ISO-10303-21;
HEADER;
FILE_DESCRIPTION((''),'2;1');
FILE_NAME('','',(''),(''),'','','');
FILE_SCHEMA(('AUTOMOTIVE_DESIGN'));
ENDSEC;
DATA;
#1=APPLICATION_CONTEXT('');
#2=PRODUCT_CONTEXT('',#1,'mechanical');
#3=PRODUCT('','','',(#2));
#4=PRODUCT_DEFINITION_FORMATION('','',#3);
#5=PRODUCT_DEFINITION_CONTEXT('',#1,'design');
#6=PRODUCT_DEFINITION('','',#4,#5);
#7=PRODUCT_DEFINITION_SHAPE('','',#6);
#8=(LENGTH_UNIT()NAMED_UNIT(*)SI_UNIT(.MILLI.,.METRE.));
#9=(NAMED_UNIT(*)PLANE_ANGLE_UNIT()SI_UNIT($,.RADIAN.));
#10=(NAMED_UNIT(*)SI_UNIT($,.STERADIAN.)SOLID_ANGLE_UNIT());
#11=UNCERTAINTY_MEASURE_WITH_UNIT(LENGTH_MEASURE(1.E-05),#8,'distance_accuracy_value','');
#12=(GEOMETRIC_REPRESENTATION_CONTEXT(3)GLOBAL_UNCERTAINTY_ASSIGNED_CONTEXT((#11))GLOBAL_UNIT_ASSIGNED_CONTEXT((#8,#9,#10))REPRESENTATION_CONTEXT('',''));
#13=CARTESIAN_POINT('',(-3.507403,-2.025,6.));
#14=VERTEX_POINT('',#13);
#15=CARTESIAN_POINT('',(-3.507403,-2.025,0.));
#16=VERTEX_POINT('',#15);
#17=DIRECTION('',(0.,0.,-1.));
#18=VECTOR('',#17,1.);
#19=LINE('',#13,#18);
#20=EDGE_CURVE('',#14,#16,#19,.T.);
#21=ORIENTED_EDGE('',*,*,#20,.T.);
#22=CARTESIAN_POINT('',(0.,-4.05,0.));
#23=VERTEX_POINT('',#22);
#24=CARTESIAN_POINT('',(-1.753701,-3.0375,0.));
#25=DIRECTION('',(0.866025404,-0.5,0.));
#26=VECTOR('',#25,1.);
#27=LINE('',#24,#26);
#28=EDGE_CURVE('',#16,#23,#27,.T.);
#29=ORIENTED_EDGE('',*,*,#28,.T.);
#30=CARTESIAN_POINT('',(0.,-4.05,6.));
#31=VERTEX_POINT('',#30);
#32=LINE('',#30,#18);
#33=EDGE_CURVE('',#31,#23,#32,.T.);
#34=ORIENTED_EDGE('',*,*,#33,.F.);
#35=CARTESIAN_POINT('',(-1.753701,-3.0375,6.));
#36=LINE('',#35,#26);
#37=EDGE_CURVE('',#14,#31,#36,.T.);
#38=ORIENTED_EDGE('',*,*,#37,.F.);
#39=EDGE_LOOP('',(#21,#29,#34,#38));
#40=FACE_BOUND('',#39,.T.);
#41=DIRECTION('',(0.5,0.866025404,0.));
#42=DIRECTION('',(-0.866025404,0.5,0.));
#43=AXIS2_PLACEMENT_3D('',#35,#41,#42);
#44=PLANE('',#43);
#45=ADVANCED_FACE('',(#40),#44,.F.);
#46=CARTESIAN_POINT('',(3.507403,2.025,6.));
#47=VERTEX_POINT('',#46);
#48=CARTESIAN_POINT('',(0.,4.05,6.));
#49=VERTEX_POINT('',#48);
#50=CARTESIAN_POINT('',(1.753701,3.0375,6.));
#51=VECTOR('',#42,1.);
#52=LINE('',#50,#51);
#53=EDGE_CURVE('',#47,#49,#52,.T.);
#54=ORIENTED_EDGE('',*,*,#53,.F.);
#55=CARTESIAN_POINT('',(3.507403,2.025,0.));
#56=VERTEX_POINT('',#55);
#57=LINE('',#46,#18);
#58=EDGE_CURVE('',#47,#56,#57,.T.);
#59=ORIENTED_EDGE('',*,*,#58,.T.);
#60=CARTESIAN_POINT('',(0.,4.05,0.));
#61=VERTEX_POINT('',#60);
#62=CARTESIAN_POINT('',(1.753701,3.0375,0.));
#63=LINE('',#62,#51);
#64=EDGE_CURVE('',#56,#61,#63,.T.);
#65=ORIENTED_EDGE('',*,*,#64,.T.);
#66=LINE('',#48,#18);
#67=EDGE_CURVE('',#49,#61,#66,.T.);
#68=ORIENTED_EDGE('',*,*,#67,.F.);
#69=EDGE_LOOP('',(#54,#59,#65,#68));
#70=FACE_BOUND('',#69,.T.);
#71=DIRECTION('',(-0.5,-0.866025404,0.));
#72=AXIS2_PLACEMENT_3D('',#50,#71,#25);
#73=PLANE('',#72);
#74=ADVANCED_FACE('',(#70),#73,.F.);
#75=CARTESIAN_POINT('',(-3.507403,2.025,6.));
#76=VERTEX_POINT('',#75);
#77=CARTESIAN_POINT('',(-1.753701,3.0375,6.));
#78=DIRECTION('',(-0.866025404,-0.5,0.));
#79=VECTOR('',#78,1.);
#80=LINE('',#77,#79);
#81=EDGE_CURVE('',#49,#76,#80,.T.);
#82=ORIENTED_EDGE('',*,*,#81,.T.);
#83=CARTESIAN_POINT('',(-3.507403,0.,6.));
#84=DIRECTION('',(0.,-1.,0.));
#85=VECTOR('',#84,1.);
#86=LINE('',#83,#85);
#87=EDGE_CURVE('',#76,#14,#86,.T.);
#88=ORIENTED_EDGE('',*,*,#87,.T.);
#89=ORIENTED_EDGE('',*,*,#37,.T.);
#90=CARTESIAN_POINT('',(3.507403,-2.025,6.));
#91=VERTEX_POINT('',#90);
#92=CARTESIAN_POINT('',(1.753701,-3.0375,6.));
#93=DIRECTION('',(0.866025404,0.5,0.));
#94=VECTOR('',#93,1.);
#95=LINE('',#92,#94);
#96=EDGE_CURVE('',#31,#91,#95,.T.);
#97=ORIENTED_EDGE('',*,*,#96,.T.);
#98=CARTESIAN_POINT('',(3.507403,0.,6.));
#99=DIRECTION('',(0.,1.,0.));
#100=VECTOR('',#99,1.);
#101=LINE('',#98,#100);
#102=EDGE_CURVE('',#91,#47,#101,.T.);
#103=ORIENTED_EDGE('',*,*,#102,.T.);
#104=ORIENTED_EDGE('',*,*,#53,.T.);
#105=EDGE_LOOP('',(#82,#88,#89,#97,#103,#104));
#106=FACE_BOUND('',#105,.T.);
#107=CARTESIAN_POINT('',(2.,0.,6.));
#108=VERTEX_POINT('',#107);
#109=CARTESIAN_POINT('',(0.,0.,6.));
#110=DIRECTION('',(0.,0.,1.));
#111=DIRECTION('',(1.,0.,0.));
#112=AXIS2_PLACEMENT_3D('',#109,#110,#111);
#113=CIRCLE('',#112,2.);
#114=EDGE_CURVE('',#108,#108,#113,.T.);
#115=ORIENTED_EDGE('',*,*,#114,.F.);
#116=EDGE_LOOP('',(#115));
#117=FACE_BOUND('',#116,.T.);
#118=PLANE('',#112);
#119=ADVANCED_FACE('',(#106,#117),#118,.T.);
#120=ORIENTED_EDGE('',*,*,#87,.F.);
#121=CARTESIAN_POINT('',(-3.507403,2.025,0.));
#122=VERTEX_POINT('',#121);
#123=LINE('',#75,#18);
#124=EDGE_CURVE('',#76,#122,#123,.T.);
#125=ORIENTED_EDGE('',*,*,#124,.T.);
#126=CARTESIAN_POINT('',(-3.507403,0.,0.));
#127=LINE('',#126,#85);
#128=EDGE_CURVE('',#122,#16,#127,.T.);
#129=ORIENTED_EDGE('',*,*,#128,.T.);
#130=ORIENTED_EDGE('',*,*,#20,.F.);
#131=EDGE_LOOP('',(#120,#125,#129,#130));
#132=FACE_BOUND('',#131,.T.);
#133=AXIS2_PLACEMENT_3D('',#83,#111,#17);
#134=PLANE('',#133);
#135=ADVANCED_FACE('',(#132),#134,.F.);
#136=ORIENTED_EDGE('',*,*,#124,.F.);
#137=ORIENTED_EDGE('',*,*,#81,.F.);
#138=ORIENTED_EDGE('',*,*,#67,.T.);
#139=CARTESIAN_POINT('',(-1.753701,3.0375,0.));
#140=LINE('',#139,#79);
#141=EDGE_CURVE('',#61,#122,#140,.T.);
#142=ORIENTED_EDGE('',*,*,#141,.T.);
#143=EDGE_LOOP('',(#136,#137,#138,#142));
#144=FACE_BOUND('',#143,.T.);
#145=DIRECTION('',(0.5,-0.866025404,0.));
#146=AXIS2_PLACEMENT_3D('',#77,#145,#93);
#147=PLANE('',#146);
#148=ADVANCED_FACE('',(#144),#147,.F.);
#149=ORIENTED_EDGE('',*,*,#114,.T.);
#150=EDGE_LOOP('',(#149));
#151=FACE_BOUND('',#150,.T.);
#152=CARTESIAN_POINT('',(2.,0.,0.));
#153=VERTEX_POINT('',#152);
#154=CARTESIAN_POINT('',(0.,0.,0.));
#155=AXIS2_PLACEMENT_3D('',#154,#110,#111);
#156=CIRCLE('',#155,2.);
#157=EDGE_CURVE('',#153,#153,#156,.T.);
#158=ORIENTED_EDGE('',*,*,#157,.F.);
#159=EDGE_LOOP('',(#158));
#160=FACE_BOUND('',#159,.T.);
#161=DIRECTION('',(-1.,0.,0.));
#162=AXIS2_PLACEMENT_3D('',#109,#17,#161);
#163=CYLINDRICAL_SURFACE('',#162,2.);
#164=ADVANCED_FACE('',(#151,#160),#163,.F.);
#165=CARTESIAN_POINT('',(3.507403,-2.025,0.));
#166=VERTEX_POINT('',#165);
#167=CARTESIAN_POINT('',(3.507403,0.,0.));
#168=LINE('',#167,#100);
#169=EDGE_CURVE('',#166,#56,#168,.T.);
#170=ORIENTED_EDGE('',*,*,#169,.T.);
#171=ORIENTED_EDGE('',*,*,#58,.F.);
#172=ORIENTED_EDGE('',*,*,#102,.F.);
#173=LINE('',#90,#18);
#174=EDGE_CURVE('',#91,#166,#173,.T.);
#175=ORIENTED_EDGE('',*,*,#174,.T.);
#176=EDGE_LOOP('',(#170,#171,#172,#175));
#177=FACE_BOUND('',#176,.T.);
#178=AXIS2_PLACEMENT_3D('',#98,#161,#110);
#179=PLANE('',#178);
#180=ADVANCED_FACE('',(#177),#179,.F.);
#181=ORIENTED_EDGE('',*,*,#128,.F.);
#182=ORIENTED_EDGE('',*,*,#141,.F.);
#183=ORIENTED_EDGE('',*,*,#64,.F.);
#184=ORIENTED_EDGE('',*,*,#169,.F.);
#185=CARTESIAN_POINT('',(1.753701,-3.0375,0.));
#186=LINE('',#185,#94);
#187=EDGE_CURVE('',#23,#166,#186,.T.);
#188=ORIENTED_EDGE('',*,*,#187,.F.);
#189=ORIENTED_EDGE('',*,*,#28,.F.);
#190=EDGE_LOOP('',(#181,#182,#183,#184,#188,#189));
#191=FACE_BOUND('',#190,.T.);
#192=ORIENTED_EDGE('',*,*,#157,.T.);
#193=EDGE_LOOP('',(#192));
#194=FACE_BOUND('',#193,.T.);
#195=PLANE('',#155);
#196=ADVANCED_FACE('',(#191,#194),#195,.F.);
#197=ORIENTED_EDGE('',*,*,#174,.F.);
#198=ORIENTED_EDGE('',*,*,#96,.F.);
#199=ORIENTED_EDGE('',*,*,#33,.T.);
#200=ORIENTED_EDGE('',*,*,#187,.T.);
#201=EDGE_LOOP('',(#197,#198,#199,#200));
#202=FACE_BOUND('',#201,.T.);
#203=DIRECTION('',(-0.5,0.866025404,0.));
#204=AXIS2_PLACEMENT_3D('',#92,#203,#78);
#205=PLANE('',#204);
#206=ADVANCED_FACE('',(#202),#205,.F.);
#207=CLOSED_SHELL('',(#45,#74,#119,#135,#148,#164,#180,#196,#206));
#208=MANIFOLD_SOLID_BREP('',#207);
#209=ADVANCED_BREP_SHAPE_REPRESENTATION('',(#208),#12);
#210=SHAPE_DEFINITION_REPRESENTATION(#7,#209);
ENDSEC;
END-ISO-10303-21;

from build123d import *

# Parameters (mm, degrees)
SKETCH_1_R      = 2
EXTRUDE_1_DEPTH = 6


with BuildPart() as part:
    # 草图1 → 凸台-拉伸1 (new body)
    with BuildSketch(Plane.XY):
        Polygon((0, 4.05), (-3.507402885, 2.025), (-3.507402885, -2.025), (0, -4.05), (3.507402885, -2.025), (3.507402885, 2.025), align=None)
        Circle(SKETCH_1_R, mode=Mode.SUBTRACT)
    extrude(amount=EXTRUDE_1_DEPTH)


solid = part.part
